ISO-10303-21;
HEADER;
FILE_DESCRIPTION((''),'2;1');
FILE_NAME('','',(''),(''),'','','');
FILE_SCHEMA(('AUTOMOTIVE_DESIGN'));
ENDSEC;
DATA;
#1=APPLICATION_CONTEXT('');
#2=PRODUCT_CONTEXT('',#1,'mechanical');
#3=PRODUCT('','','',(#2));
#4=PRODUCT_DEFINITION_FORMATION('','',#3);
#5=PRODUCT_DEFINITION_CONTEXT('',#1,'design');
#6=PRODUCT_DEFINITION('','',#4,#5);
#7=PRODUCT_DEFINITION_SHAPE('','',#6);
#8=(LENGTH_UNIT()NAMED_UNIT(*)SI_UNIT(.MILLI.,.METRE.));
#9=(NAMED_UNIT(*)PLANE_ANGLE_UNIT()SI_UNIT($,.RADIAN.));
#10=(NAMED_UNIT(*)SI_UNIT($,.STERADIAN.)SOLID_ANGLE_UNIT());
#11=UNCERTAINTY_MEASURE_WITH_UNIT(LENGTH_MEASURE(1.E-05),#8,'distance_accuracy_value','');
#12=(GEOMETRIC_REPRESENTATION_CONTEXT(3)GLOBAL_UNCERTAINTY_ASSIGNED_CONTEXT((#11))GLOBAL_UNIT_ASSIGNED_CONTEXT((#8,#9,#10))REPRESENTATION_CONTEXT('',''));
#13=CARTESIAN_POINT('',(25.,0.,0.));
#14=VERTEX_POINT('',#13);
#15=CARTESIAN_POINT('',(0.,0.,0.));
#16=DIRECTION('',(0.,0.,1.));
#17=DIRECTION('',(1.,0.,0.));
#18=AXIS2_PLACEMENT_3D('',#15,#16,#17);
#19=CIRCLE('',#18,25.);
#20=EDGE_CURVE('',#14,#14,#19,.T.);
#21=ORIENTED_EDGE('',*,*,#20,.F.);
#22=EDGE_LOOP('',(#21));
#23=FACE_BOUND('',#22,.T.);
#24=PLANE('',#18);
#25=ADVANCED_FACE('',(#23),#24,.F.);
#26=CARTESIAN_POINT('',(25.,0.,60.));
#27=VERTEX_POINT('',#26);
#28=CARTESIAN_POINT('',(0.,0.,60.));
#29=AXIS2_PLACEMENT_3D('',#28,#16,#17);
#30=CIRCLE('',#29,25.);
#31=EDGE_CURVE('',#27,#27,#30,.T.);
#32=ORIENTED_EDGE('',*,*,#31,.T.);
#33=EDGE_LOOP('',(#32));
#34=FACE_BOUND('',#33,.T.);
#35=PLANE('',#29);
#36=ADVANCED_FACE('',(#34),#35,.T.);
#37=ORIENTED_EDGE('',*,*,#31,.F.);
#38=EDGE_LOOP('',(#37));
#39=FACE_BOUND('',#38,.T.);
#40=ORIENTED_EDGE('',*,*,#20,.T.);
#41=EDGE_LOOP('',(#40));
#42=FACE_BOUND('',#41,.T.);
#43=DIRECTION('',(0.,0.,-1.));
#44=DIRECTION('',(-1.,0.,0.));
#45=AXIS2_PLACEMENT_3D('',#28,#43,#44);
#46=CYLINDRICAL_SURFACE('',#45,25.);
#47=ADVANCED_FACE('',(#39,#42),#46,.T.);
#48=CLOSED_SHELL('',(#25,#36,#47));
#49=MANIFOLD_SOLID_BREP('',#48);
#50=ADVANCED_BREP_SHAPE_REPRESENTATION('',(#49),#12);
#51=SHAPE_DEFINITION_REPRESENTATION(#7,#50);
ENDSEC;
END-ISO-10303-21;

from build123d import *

# Parameters (mm, degrees)
ESQUISSE1_R        = 25
BOSS_EXTRU_1_DEPTH = 60


with BuildPart() as part:
    # Esquisse1 → Boss.-Extru.1 (new body)
    with BuildSketch(Plane.XY):
        Circle(ESQUISSE1_R)
    extrude(amount=BOSS_EXTRU_1_DEPTH)


solid = part.part
